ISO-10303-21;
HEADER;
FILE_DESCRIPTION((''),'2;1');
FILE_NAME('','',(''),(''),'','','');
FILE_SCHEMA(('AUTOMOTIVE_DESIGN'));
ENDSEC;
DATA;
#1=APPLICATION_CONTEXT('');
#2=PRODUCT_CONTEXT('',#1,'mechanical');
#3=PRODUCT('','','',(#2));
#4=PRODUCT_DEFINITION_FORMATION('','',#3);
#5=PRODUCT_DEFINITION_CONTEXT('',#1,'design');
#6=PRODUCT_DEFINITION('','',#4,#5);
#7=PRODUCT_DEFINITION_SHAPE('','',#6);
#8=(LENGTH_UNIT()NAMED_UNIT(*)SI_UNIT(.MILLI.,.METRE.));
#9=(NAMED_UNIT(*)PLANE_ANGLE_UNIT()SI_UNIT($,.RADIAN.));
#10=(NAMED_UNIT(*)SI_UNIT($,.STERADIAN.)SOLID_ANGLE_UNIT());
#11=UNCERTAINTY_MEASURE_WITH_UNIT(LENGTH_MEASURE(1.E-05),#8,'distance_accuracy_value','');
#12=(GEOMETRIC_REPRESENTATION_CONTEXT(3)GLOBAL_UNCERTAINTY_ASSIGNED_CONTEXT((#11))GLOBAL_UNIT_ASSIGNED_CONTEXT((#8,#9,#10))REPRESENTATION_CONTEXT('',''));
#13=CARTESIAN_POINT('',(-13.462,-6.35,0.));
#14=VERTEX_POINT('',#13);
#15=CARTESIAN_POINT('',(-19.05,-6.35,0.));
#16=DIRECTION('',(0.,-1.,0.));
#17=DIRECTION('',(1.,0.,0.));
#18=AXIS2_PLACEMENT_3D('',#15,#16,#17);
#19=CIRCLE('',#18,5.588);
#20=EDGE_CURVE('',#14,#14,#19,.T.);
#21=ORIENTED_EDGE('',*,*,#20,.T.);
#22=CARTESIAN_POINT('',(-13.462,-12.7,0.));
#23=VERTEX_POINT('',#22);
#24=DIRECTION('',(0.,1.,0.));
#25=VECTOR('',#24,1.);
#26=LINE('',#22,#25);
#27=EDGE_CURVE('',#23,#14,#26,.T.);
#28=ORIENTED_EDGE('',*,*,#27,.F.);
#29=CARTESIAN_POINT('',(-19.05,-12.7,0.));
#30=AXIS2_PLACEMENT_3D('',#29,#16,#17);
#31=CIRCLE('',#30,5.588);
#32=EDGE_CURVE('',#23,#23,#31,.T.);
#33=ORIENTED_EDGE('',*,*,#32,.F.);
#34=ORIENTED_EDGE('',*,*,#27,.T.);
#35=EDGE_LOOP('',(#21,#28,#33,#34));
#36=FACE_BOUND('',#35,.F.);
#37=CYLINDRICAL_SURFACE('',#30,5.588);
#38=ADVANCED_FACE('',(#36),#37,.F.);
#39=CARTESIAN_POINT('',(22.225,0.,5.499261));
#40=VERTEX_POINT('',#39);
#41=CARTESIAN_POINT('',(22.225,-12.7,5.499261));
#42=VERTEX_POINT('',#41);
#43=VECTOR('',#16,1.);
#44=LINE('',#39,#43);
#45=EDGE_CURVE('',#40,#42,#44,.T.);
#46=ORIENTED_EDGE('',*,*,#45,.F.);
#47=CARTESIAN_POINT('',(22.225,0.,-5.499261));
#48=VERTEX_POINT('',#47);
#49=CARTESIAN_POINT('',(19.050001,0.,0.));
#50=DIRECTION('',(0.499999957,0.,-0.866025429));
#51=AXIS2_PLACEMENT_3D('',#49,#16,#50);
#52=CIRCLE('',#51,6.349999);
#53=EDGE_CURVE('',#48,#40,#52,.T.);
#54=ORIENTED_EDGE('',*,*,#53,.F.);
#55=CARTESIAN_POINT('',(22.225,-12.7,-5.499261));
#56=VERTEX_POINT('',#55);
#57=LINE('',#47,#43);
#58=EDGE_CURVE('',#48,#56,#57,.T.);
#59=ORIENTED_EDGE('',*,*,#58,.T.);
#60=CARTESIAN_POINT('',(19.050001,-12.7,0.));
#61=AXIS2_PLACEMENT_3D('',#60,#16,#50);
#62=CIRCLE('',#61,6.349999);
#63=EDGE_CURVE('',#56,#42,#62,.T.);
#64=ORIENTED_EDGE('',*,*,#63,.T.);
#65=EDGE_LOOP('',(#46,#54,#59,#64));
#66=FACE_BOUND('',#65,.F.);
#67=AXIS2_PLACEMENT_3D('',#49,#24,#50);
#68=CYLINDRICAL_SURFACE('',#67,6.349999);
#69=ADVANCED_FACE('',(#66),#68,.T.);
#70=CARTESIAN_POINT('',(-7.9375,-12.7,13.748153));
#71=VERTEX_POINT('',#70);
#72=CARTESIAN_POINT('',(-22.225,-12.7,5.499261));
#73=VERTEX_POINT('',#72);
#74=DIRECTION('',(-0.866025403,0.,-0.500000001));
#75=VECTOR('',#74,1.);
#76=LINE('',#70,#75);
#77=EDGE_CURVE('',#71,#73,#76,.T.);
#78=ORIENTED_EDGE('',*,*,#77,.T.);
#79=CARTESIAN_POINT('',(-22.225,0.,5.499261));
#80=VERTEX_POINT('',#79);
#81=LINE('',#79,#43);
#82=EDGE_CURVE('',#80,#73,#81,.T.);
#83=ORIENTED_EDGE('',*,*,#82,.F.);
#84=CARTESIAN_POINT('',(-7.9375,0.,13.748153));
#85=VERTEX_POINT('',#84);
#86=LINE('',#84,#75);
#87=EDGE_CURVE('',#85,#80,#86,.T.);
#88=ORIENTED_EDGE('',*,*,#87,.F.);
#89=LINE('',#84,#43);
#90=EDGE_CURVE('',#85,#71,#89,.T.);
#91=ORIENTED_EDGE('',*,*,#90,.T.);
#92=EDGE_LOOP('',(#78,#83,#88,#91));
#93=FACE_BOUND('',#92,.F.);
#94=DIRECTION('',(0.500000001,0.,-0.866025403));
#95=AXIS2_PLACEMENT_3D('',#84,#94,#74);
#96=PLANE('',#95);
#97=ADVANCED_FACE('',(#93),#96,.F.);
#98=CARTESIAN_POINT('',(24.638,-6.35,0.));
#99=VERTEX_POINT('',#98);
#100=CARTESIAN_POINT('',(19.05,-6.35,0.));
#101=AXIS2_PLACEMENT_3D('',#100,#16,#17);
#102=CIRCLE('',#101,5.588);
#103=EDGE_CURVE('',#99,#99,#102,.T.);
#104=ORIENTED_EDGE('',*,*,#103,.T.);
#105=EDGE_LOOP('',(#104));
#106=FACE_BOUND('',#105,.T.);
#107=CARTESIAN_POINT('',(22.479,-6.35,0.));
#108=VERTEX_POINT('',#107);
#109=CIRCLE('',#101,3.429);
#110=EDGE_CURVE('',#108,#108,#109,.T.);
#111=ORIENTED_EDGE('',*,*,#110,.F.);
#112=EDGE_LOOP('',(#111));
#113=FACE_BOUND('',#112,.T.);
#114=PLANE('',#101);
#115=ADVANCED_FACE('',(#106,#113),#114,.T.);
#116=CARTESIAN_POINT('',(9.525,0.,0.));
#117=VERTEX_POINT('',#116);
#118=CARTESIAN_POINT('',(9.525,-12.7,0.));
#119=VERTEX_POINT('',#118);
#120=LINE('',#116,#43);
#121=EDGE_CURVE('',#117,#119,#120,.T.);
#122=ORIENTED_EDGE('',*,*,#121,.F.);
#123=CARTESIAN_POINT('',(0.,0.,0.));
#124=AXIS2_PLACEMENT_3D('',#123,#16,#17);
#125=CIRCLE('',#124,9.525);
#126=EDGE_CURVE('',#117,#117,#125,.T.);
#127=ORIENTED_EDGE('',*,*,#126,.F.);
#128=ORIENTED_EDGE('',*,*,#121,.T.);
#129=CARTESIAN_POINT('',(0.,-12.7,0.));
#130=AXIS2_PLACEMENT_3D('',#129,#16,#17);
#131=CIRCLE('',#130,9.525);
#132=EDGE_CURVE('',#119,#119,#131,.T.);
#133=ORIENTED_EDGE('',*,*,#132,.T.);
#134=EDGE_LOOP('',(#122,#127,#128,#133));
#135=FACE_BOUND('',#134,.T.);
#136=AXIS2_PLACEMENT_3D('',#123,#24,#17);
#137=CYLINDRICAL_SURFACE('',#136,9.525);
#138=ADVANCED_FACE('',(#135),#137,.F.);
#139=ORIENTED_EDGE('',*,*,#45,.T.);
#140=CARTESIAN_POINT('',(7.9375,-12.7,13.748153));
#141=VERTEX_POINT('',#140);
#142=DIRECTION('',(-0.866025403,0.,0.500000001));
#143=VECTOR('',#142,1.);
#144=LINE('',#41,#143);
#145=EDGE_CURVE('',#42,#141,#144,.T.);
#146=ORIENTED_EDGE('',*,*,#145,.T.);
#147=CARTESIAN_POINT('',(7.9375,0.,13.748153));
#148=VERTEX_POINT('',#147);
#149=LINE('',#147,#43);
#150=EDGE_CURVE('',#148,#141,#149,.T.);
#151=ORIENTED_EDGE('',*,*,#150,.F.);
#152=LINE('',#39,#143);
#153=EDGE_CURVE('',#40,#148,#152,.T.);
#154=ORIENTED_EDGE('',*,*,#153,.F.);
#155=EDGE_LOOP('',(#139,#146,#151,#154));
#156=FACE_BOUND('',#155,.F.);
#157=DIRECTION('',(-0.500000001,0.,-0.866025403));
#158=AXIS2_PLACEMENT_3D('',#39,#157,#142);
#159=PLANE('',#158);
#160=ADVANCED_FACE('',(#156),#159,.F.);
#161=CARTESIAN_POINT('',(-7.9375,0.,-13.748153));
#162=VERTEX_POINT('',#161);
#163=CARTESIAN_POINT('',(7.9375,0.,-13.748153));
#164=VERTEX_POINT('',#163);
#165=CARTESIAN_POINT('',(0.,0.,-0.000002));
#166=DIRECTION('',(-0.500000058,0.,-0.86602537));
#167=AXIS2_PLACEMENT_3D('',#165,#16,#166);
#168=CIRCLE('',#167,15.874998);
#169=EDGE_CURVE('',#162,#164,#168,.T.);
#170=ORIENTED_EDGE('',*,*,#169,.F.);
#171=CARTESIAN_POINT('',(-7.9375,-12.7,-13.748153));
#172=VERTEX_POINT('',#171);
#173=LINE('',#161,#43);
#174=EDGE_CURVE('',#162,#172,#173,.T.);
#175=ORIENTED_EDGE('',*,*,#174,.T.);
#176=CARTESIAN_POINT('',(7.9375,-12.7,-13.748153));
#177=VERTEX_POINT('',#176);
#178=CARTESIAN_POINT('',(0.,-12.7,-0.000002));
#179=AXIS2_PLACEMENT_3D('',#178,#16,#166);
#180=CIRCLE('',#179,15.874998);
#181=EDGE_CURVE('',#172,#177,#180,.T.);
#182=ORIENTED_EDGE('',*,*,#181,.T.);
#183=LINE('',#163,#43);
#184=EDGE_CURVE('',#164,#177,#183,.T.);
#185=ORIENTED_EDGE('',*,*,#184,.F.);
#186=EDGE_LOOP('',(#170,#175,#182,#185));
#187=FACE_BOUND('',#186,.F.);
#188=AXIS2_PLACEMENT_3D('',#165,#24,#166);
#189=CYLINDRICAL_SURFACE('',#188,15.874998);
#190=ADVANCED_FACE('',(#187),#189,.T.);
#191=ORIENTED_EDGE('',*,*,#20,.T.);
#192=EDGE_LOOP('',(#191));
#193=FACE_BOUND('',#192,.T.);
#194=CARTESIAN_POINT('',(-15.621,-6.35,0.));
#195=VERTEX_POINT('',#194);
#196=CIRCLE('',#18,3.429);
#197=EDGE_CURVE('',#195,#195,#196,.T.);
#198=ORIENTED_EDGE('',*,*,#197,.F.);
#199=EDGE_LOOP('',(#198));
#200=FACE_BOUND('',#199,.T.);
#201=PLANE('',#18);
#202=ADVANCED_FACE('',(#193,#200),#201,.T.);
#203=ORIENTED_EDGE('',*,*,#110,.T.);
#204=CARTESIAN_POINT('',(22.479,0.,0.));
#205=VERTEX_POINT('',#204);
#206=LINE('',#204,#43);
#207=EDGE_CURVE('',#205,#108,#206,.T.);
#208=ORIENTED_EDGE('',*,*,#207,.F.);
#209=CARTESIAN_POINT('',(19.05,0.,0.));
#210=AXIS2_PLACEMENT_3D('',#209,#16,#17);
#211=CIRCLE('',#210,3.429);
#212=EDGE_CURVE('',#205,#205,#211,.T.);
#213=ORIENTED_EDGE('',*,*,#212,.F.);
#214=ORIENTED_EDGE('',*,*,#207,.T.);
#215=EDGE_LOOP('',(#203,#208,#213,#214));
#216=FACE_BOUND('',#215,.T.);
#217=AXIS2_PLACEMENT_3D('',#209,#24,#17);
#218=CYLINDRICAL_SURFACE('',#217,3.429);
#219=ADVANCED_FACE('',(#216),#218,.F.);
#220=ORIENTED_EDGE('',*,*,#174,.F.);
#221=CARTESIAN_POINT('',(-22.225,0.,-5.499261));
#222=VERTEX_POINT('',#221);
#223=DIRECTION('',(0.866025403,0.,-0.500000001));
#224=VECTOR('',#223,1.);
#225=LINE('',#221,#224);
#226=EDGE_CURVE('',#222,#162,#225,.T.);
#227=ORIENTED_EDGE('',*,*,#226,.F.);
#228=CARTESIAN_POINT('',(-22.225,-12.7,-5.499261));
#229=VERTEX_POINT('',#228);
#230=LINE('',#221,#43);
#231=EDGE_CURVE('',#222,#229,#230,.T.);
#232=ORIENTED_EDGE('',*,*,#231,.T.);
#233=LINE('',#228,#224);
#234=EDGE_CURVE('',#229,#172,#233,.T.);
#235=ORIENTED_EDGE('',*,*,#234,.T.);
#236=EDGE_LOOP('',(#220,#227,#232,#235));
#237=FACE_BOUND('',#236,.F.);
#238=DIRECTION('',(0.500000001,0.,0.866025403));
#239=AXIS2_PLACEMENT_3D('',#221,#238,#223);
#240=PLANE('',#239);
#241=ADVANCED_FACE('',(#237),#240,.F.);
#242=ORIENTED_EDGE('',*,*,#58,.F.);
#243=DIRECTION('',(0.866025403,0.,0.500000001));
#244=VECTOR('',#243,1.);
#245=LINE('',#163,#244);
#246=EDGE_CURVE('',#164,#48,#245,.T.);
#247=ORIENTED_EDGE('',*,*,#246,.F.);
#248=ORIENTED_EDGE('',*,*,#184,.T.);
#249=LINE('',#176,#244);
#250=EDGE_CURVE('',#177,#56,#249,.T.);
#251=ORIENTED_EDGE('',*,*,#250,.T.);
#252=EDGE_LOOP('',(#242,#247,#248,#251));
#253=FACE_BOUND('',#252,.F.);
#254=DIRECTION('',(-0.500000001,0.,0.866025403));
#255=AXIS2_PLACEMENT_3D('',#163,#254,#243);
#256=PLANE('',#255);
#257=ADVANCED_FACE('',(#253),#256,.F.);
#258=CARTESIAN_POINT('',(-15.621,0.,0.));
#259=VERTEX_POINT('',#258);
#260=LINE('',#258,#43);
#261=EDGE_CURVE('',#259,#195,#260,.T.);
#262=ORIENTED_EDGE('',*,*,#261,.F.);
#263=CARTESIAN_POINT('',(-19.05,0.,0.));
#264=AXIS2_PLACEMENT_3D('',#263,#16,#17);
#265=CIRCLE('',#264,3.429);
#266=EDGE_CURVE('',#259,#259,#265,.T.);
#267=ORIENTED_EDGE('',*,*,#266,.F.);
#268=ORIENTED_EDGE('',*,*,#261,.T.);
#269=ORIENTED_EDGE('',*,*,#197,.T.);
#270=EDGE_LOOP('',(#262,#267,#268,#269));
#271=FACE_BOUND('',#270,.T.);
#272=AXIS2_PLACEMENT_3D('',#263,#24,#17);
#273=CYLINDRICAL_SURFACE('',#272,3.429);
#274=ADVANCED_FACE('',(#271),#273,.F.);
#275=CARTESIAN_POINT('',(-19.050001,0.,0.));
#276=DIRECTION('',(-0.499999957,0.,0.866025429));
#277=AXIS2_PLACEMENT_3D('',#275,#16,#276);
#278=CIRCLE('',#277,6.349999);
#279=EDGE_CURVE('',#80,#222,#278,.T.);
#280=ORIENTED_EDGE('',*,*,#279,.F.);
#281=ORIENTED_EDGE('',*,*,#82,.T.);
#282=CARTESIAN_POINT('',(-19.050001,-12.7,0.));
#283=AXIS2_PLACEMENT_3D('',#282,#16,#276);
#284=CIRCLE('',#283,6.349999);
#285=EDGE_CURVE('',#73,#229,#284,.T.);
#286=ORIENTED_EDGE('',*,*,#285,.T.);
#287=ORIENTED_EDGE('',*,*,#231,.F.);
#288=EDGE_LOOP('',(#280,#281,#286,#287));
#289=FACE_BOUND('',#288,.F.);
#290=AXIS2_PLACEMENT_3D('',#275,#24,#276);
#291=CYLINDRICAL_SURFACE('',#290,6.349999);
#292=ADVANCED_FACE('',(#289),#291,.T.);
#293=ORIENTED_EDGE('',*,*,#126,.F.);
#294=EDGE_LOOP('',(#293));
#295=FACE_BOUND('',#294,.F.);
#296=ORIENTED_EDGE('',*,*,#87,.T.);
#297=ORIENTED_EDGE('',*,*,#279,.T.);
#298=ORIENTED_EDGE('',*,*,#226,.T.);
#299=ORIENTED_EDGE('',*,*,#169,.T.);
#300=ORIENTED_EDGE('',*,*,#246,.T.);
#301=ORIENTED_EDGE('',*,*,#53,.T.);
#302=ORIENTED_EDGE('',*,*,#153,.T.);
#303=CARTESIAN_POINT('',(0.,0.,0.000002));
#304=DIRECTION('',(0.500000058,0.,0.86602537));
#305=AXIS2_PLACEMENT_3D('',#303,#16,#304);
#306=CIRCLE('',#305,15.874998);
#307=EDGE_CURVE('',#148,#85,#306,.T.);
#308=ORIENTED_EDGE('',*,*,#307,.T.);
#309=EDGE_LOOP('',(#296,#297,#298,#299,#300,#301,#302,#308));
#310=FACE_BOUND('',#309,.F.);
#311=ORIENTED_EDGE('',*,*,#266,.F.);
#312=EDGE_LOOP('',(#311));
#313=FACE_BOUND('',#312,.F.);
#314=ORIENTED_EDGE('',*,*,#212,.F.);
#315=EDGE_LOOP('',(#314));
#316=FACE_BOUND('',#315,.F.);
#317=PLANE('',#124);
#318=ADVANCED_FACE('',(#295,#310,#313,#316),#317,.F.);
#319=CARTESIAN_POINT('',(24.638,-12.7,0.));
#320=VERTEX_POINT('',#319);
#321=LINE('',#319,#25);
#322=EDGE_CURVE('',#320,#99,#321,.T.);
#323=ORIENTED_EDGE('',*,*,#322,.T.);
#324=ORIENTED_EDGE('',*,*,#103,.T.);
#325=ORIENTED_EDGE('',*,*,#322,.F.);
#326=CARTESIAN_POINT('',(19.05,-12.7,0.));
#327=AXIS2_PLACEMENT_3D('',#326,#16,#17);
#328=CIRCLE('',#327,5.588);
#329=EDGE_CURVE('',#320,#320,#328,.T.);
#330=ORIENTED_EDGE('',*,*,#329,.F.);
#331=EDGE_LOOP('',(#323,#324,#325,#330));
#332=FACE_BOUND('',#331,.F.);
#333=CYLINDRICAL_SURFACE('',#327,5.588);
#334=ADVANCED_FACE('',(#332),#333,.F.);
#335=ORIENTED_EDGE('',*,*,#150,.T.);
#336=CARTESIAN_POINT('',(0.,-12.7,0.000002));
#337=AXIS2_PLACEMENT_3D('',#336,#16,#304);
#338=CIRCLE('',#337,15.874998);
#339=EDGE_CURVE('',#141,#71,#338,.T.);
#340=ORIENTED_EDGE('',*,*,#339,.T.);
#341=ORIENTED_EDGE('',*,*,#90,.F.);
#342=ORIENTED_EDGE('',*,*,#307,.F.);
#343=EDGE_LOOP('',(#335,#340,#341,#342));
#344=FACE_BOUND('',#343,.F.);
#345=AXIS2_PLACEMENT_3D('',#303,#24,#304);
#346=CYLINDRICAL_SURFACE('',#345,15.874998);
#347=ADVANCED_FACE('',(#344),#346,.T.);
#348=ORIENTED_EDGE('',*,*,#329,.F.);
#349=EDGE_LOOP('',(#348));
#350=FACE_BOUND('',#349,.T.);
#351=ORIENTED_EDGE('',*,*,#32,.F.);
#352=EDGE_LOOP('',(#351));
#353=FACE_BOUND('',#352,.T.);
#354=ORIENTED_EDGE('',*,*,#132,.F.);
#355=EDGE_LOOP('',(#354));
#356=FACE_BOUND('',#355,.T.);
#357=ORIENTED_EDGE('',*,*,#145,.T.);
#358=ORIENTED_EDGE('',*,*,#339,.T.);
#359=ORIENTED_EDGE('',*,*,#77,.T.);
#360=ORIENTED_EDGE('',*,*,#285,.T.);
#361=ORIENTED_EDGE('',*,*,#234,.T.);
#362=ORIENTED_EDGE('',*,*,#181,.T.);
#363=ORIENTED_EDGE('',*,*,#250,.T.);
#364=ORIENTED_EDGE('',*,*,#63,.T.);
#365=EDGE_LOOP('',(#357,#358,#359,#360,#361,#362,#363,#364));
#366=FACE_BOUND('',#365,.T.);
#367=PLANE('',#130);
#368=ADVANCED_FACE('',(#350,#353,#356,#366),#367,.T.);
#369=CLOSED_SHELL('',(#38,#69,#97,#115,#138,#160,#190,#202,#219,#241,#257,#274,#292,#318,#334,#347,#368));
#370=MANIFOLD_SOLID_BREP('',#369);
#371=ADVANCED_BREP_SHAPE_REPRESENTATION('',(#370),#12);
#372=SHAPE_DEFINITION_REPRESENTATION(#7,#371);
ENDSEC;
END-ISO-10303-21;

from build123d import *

# Parameters (mm, degrees)
F0_R     = 3.429
F0_R_2   = 9.525
F1_DEPTH = 12.7
F2_R     = 5.588
F2_R_2   = 3.429
F3_DEPTH = 6.35


with BuildPart() as f1:
    # F0 (on Front) → F1 (new body)
    with BuildSketch(Plane.XZ):
        with BuildLine():
            Line((-7.9375, 13.748153), (-22.225, 5.499261))
            ThreePointArc((-22.225, 5.499261), (-25.4, 0), (-22.225, -5.499261))
            Line((-22.225, -5.499261), (-7.9375, -13.748153))
            ThreePointArc((-7.9375, -13.748153), (0, -15.875), (7.9375, -13.748153))
            Line((7.9375, -13.748153), (22.225, -5.499261))
            ThreePointArc((22.225, -5.499261), (25.4, 0), (22.225, 5.499261))
            Line((22.225, 5.499261), (7.9375, 13.748153))
            ThreePointArc((7.9375, 13.748153), (0, 15.875), (-7.9375, 13.748153))
        make_face()
        with Locations((-19.05, 0)):
            Circle(F0_R, mode=Mode.SUBTRACT)
        Circle(F0_R_2, mode=Mode.SUBTRACT)
        with Locations((19.05, 0)):
            Circle(F0_R, mode=Mode.SUBTRACT)
    extrude(amount=F1_DEPTH)

    # F2 (on face) → F3 (cut)
    with BuildSketch(Plane.XZ.offset(12.7)):
        with Locations((-19.05, 0)):
            Circle(F2_R)
        with Locations((-19.05, 0)):
            Circle(F2_R_2, mode=Mode.SUBTRACT)
        with Locations((19.05, 0)):
            Circle(F2_R)
        with Locations((19.05, 0)):
            Circle(F2_R_2, mode=Mode.SUBTRACT)
    extrude(amount=-F3_DEPTH, mode=Mode.SUBTRACT)


solid = f1.part
